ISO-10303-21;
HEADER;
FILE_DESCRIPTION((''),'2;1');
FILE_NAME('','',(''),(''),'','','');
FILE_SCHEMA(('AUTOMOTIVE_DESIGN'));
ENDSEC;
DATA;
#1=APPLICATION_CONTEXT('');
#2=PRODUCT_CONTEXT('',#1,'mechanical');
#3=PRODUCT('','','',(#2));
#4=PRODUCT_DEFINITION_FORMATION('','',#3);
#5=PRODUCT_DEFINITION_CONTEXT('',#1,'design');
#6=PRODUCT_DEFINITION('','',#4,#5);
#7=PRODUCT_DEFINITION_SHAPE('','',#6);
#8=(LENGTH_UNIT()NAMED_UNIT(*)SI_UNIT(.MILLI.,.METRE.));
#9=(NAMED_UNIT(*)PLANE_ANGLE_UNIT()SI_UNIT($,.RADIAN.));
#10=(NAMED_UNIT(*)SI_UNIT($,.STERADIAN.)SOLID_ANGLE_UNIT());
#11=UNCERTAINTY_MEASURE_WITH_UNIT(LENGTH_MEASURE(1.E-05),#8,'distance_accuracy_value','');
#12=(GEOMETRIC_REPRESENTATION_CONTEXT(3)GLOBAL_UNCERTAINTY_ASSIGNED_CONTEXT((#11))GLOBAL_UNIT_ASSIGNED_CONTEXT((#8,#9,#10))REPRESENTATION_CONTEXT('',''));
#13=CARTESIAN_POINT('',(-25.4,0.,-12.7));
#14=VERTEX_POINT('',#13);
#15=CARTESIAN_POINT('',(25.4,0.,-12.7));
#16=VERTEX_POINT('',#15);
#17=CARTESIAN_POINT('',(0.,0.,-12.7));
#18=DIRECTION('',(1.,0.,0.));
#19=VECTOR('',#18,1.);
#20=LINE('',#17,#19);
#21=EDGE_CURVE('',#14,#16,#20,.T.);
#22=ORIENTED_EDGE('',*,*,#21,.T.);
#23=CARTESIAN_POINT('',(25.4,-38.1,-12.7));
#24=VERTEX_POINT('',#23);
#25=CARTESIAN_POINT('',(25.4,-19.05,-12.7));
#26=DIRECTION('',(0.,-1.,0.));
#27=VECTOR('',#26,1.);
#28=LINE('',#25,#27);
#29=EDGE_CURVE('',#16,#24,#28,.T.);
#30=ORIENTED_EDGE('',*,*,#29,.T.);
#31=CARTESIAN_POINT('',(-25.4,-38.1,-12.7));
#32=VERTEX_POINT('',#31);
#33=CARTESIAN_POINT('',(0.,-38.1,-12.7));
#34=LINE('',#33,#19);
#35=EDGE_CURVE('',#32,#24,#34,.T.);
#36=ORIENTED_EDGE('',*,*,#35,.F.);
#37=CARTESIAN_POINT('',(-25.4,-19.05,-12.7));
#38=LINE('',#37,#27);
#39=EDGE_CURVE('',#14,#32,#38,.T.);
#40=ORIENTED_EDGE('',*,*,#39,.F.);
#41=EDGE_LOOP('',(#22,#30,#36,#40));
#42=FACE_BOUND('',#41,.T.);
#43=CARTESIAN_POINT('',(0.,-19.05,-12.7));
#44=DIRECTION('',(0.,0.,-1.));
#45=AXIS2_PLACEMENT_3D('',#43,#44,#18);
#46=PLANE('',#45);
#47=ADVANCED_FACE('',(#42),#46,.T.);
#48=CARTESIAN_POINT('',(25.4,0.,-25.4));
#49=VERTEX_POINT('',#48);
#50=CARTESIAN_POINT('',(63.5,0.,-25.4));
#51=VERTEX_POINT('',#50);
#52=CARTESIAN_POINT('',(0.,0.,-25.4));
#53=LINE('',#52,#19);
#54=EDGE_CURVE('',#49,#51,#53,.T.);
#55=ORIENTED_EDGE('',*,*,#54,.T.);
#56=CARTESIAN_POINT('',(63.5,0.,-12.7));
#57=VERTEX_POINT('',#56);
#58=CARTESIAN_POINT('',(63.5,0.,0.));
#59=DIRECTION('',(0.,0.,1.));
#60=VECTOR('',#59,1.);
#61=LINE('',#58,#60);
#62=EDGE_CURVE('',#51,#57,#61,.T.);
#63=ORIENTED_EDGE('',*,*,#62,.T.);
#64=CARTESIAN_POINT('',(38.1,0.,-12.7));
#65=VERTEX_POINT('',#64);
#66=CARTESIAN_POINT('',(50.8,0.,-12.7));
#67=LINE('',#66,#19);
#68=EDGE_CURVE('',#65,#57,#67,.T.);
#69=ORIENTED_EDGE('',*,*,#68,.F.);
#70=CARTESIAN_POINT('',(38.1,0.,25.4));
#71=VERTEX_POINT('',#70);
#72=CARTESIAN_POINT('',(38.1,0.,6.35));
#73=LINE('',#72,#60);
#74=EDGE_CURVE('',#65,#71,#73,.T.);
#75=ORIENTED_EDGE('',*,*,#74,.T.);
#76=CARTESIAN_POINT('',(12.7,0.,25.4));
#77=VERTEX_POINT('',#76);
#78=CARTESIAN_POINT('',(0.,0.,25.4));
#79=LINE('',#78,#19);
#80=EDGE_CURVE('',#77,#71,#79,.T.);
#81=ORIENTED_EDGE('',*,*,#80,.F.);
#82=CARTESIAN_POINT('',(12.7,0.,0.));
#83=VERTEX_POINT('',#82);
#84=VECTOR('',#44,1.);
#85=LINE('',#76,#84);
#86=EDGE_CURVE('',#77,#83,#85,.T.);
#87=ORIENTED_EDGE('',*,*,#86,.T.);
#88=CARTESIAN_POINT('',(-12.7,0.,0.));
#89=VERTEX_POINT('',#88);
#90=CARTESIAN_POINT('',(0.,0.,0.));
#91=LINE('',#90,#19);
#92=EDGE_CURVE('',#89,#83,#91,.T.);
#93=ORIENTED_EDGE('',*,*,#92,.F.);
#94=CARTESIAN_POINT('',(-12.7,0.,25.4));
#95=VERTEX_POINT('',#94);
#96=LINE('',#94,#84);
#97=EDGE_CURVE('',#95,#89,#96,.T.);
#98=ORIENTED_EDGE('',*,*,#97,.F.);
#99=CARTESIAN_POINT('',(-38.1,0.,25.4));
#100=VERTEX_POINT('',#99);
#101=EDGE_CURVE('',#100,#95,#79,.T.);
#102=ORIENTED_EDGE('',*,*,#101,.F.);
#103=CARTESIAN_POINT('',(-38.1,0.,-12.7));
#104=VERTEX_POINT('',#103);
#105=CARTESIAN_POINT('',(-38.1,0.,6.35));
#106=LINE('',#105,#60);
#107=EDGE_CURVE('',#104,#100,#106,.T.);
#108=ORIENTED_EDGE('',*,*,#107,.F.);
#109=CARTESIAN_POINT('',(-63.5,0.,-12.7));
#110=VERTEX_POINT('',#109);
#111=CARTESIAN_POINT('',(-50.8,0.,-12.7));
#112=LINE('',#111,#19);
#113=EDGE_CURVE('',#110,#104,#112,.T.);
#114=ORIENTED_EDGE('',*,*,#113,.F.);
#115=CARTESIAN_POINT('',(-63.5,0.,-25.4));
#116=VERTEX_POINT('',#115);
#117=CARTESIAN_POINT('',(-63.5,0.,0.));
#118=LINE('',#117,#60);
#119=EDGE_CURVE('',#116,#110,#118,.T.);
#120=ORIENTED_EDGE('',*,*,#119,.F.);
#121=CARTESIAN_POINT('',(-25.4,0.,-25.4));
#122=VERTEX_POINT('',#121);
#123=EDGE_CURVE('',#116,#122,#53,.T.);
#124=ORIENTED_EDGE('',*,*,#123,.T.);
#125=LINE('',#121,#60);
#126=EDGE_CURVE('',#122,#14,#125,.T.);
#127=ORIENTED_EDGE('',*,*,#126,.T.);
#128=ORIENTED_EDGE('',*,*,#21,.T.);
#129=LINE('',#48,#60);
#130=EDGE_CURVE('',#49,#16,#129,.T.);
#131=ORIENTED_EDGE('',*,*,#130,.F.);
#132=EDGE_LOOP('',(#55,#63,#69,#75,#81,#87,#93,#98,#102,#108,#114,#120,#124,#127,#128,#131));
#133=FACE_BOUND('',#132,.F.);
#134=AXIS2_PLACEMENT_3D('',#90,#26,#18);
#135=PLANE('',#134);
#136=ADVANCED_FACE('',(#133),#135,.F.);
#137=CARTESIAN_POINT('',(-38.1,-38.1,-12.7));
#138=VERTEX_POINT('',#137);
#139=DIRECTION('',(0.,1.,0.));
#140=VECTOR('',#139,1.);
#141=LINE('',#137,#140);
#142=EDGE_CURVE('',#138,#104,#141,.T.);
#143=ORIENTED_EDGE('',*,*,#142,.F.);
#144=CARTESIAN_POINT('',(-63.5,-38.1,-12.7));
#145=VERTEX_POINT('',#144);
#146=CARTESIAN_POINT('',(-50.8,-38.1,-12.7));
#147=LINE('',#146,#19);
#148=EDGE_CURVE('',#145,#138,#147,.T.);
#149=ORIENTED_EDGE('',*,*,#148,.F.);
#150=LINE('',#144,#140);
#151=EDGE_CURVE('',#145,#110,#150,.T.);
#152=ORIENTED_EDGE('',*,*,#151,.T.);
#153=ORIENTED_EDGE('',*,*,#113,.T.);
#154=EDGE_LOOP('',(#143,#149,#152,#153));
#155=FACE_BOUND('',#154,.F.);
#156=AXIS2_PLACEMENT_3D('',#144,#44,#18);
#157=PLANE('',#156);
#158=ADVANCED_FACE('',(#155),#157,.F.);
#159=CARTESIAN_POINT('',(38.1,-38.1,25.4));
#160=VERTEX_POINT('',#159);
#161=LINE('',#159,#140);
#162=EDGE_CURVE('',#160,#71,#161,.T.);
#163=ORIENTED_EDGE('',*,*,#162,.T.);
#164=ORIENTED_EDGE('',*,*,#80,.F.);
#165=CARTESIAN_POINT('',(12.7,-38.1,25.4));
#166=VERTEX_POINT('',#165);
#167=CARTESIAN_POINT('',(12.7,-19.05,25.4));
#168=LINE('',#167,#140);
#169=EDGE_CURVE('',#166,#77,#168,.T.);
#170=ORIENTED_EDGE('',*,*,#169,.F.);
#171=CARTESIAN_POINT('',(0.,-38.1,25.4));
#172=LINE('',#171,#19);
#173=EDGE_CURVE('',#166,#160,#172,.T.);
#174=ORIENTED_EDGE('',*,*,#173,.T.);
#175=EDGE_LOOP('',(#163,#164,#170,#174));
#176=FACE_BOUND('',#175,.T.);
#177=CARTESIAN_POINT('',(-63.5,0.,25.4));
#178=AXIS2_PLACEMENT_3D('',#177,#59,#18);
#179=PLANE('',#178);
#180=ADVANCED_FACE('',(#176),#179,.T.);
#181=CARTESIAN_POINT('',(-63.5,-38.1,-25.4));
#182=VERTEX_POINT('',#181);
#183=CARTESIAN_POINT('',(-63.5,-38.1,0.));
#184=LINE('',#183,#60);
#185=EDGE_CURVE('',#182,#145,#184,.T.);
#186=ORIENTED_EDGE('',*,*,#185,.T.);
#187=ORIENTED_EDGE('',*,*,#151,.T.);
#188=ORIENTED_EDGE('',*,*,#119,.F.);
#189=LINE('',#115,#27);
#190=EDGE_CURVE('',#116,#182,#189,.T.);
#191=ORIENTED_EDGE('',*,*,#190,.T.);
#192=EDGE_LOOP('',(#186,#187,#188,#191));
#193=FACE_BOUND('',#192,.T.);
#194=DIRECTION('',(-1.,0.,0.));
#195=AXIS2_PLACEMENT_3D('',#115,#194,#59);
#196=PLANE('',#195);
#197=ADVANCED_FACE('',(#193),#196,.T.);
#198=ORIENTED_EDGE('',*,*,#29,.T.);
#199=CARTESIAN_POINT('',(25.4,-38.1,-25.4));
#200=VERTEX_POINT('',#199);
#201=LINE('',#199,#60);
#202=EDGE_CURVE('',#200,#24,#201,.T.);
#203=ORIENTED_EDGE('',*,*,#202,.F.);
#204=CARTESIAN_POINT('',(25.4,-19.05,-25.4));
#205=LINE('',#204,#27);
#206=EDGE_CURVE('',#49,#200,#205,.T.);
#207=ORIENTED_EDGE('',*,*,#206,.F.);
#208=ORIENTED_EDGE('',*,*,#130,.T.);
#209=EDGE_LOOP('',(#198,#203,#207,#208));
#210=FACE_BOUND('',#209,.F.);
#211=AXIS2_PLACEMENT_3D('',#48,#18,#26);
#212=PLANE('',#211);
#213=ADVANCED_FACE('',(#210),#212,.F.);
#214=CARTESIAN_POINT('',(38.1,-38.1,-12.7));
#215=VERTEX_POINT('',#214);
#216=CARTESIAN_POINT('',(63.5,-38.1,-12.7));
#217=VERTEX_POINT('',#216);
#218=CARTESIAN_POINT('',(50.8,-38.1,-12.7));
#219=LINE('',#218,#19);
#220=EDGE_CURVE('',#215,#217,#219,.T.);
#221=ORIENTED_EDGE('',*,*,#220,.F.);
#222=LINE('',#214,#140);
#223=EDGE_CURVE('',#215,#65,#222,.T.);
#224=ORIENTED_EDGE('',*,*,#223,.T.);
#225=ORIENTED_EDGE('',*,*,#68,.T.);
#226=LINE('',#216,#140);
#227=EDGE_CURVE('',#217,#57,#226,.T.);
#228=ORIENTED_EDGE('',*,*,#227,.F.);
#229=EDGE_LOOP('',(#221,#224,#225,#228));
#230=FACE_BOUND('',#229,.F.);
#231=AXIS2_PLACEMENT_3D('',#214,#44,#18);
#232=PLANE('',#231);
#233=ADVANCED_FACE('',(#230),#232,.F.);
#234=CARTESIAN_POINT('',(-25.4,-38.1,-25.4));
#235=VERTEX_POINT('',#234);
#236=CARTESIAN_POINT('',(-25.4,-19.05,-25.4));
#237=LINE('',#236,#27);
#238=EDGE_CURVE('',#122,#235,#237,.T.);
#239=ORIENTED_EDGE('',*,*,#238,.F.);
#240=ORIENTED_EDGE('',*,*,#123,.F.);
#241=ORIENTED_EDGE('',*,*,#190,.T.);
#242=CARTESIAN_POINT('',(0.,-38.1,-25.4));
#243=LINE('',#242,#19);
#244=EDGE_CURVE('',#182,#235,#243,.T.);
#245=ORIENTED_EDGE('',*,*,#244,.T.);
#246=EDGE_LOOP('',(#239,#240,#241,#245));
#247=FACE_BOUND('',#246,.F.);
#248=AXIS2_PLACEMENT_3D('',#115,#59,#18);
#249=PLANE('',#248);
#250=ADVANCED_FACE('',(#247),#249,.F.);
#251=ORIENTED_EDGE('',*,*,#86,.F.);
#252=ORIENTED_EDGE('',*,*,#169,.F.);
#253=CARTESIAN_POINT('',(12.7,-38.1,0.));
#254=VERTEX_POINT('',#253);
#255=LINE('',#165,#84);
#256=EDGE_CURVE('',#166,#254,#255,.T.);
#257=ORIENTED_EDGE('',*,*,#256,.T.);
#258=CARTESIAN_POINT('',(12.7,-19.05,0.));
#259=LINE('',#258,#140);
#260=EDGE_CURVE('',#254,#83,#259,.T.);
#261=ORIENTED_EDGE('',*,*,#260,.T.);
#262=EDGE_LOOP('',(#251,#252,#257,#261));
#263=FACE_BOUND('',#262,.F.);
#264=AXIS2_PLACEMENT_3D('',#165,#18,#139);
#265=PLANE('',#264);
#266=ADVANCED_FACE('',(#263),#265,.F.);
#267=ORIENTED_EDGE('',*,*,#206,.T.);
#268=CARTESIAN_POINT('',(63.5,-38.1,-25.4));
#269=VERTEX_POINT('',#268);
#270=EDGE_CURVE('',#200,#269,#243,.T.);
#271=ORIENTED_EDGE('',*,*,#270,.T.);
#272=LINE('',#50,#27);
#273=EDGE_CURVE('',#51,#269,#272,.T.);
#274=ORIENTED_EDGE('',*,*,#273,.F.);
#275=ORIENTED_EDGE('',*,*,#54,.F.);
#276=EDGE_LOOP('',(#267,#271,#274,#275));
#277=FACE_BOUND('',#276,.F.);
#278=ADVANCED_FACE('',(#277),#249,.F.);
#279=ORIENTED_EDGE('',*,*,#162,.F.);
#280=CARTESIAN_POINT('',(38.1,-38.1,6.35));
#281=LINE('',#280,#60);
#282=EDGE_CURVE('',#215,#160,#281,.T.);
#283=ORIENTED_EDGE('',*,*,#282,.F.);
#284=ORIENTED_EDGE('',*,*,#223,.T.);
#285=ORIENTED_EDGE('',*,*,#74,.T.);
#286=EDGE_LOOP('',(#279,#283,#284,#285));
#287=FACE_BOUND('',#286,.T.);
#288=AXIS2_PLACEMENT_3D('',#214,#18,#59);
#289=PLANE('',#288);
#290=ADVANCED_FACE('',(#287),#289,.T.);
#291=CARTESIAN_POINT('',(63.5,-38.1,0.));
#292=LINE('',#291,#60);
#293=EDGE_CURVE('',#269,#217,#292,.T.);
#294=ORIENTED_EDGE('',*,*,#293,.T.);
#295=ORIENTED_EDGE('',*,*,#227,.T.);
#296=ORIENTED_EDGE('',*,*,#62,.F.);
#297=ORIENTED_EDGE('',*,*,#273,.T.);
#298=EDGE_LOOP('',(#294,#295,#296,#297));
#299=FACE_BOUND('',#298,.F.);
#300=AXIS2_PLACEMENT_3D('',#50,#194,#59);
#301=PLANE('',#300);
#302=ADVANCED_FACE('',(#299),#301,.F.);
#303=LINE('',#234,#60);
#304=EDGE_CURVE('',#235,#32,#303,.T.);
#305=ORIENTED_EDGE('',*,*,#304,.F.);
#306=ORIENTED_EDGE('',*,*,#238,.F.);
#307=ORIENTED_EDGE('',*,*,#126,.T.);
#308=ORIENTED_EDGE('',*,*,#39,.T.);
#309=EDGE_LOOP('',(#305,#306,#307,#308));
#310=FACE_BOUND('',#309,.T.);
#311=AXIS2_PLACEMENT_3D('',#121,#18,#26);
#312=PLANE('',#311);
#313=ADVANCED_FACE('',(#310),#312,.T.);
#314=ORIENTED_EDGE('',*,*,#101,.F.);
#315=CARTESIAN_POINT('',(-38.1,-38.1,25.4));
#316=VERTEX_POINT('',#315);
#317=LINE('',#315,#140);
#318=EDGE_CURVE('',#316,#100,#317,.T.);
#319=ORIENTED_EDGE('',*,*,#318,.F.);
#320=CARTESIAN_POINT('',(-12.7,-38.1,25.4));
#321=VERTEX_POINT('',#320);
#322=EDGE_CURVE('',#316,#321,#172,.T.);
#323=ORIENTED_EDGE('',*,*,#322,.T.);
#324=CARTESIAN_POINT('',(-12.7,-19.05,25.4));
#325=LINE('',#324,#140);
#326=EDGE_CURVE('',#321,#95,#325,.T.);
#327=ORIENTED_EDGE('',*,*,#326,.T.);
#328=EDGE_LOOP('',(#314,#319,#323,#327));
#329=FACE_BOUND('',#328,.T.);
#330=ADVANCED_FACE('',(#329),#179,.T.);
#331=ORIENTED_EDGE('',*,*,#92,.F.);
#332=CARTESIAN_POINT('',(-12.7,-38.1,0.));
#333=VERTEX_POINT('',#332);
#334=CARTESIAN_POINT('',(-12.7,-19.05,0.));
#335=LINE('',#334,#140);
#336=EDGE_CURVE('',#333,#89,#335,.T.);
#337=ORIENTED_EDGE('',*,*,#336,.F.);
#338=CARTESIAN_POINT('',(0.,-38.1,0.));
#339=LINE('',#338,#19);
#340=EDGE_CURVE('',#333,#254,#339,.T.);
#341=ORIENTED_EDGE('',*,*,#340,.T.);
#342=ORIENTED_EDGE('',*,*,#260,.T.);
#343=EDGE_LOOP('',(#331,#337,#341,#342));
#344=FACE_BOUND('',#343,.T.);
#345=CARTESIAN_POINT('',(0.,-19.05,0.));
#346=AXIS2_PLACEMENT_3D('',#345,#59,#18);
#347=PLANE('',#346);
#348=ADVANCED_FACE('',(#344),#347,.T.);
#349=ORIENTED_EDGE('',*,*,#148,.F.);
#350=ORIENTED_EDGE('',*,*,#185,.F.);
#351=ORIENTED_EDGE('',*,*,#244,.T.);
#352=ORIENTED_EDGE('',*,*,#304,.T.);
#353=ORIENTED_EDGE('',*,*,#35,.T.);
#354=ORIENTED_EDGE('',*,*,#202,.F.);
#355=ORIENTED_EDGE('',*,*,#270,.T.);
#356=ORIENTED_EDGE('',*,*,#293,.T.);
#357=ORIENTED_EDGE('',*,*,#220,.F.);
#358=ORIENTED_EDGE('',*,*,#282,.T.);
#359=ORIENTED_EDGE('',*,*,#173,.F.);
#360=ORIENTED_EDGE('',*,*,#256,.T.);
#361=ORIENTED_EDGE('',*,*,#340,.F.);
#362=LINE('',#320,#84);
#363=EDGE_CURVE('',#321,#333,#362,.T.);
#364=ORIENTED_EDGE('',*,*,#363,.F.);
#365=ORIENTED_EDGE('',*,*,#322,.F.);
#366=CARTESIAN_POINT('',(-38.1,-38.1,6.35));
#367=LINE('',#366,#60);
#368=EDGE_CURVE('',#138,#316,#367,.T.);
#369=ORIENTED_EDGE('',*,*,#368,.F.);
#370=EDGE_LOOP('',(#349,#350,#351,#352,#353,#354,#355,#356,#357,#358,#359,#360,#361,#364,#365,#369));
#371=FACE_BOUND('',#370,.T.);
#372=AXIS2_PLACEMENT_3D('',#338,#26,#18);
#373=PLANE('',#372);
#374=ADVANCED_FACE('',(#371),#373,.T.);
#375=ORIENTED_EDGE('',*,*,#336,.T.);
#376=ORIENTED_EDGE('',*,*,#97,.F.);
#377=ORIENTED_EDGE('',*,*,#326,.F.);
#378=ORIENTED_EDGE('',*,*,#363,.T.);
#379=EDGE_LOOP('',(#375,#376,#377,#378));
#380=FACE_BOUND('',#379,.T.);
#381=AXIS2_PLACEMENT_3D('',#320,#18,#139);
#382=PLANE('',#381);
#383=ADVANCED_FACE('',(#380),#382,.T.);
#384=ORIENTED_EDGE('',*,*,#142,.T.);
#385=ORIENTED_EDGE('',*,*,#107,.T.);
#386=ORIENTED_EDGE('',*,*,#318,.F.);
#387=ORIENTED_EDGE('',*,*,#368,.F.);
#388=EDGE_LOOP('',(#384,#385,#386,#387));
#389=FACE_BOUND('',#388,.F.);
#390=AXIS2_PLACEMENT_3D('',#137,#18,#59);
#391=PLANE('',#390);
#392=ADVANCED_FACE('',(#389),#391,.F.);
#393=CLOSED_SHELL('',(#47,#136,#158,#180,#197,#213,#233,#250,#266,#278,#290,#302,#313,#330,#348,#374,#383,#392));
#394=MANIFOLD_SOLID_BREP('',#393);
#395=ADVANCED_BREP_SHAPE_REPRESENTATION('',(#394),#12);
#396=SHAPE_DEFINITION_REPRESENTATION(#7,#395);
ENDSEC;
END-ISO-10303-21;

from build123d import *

# Parameters (mm, degrees)
F0_W     = 127
F0_H     = 50.8
F1_DEPTH = 38.1
F2_W     = 50.8
F2_H     = 38.1
F3_DEPTH = 12.7
F4_W     = 25.4
F4_H     = 38.1
F5_DEPTH = 38.1
F6_W     = 25.4
F6_H     = 38.1
F7_DEPTH = 38.1
F8_W     = 25.4
F8_H     = 38.1
F9_DEPTH = 25.4


with BuildPart() as f1:
    # F0 (on Front) → F1 (new body)
    with BuildSketch(Plane.XZ):
        Rectangle(F0_W, F0_H)
    extrude(amount=F1_DEPTH)

    # F2 (on face) → F3 (cut)
    with BuildSketch(Plane(origin=(0, 0, -25.4), x_dir=(1, 0, 0), z_dir=(0, 0, -1))):
        with Locations((0, 19.05)):
            Rectangle(F2_W, F2_H)
    extrude(amount=-F3_DEPTH, mode=Mode.SUBTRACT)

    # F4 (on face) → F5 (cut)
    with BuildSketch(Plane.XZ.offset(38.1)):
        with Locations((-50.8, 6.35)):
            Rectangle(F4_W, F4_H)
    extrude(amount=-F5_DEPTH, mode=Mode.SUBTRACT)

    # F6 (on face) → F7 (cut)
    with BuildSketch(Plane.XZ.offset(38.1)):
        with Locations((50.8, 6.35)):
            Rectangle(F6_W, F6_H)
    extrude(amount=-F7_DEPTH, mode=Mode.SUBTRACT)

    # F8 (on face) → F9 (cut)
    with BuildSketch(Plane.XY.offset(25.4)):
        with Locations((0, -19.05)):
            Rectangle(F8_W, F8_H)
    extrude(amount=-F9_DEPTH, mode=Mode.SUBTRACT)


solid = f1.part
